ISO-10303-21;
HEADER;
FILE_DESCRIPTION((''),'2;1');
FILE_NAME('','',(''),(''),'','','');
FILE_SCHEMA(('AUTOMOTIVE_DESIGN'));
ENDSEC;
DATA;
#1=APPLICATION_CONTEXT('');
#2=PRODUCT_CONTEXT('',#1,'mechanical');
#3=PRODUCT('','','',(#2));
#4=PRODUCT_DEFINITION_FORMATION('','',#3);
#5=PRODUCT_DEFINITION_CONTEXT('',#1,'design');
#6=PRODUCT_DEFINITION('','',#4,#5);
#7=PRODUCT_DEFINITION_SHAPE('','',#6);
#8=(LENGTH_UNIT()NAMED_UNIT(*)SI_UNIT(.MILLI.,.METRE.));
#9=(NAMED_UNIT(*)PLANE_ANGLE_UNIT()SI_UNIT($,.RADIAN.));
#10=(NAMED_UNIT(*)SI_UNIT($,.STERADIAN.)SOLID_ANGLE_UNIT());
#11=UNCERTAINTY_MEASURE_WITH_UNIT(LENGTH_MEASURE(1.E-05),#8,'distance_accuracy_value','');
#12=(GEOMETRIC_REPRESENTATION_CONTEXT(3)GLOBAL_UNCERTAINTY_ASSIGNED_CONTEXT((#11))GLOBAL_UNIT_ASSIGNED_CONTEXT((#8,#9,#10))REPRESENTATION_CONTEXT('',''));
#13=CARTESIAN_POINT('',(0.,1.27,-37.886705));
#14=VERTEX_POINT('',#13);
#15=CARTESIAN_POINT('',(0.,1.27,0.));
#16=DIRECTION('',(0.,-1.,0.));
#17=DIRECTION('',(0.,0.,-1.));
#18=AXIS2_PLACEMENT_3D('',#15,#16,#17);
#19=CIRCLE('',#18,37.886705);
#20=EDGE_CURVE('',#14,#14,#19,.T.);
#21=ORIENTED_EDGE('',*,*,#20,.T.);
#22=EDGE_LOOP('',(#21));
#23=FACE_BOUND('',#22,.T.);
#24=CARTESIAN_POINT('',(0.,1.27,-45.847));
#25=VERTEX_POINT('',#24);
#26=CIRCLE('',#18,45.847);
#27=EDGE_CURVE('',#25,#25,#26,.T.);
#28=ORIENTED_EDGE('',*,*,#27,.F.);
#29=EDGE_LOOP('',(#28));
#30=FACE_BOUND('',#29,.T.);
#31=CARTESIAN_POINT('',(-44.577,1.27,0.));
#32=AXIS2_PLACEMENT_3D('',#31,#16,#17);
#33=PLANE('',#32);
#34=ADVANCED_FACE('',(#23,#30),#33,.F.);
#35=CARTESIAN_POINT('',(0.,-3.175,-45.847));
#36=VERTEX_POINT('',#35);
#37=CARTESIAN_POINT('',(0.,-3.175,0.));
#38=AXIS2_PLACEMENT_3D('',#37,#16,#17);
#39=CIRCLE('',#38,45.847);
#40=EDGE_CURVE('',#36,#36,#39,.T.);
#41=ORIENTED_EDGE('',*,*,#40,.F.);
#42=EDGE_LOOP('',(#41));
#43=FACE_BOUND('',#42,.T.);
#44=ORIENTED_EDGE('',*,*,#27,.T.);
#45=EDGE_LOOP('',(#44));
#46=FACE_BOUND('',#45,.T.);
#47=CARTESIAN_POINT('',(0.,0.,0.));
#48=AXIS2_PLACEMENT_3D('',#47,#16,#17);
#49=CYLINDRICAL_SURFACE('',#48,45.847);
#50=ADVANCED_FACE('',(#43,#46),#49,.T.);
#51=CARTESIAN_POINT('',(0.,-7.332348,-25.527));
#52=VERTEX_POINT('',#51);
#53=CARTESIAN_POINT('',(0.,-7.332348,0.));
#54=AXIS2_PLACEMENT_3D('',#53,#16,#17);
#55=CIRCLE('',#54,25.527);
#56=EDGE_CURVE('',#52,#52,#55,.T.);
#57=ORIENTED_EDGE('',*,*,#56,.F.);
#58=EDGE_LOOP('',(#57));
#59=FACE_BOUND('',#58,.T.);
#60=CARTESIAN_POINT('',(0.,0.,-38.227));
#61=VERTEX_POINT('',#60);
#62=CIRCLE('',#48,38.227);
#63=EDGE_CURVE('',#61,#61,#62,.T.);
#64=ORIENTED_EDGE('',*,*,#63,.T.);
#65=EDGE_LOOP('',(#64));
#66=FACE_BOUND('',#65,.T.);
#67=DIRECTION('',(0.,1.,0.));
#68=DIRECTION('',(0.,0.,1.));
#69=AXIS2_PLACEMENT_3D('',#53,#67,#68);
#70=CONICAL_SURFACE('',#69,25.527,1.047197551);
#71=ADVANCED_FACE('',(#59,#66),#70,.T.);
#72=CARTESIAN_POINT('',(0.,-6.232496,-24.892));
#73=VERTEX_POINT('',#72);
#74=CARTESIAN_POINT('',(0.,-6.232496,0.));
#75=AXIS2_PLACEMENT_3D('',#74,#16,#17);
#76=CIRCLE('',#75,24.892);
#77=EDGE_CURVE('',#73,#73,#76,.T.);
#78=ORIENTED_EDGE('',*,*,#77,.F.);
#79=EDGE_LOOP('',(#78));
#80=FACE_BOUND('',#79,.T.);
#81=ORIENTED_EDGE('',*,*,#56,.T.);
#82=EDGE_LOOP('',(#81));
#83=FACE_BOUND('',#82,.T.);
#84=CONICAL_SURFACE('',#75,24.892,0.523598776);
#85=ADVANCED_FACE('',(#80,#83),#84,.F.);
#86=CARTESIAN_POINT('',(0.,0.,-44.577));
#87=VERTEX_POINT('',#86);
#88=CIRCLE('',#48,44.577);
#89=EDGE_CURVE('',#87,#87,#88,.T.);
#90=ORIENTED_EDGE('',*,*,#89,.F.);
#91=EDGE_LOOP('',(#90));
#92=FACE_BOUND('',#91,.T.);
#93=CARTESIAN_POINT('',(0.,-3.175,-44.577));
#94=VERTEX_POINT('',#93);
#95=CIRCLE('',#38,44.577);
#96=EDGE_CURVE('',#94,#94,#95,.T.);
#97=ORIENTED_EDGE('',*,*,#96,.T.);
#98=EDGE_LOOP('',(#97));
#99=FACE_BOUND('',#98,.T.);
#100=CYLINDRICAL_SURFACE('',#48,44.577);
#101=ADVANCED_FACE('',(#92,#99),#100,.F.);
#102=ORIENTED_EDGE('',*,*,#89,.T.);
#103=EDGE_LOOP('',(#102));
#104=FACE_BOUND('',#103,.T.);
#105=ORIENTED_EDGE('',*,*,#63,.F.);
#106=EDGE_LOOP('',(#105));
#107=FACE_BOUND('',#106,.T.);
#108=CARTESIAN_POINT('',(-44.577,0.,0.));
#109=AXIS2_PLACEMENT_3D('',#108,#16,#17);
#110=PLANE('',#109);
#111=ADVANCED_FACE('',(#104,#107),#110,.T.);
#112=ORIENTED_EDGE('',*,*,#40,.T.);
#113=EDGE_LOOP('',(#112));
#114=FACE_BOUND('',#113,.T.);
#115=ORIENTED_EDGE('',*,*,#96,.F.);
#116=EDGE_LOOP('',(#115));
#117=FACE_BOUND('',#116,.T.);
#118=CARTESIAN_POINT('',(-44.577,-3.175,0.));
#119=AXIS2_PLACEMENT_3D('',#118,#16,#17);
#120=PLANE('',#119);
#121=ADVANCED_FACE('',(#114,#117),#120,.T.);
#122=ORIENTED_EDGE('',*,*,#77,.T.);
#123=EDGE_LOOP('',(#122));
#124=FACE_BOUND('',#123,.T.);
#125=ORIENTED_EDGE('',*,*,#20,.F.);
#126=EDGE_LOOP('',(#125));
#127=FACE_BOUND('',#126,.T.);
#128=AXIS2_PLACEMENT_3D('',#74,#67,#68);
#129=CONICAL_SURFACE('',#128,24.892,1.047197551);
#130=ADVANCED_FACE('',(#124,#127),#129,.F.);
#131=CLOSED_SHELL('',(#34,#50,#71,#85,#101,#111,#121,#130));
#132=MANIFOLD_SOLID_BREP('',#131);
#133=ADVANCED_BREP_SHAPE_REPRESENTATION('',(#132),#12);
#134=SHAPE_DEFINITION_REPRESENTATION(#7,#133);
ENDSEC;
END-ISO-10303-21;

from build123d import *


with BuildPart() as part:
    # Sketch1 → Revolve-Thin1 (revolve)
    with BuildSketch(Plane.XY, mode=Mode.PRIVATE) as revolve_thin1_sk:
        Polygon((-25.527, -7.332348419), (-38.227, 0), (-44.577, 0), (-44.577, -3.175), (-45.847, -3.175), (-45.847, 1.27), (-37.886704526, 1.27), (-24.892, -6.232496156), align=None)
    revolve(revolve_thin1_sk.sketch.rotate(Axis((0, 0, 0), (0, 1, 0)), 270), axis=Axis((0, 0, 0), (0, 1, 0)))


solid = part.part
